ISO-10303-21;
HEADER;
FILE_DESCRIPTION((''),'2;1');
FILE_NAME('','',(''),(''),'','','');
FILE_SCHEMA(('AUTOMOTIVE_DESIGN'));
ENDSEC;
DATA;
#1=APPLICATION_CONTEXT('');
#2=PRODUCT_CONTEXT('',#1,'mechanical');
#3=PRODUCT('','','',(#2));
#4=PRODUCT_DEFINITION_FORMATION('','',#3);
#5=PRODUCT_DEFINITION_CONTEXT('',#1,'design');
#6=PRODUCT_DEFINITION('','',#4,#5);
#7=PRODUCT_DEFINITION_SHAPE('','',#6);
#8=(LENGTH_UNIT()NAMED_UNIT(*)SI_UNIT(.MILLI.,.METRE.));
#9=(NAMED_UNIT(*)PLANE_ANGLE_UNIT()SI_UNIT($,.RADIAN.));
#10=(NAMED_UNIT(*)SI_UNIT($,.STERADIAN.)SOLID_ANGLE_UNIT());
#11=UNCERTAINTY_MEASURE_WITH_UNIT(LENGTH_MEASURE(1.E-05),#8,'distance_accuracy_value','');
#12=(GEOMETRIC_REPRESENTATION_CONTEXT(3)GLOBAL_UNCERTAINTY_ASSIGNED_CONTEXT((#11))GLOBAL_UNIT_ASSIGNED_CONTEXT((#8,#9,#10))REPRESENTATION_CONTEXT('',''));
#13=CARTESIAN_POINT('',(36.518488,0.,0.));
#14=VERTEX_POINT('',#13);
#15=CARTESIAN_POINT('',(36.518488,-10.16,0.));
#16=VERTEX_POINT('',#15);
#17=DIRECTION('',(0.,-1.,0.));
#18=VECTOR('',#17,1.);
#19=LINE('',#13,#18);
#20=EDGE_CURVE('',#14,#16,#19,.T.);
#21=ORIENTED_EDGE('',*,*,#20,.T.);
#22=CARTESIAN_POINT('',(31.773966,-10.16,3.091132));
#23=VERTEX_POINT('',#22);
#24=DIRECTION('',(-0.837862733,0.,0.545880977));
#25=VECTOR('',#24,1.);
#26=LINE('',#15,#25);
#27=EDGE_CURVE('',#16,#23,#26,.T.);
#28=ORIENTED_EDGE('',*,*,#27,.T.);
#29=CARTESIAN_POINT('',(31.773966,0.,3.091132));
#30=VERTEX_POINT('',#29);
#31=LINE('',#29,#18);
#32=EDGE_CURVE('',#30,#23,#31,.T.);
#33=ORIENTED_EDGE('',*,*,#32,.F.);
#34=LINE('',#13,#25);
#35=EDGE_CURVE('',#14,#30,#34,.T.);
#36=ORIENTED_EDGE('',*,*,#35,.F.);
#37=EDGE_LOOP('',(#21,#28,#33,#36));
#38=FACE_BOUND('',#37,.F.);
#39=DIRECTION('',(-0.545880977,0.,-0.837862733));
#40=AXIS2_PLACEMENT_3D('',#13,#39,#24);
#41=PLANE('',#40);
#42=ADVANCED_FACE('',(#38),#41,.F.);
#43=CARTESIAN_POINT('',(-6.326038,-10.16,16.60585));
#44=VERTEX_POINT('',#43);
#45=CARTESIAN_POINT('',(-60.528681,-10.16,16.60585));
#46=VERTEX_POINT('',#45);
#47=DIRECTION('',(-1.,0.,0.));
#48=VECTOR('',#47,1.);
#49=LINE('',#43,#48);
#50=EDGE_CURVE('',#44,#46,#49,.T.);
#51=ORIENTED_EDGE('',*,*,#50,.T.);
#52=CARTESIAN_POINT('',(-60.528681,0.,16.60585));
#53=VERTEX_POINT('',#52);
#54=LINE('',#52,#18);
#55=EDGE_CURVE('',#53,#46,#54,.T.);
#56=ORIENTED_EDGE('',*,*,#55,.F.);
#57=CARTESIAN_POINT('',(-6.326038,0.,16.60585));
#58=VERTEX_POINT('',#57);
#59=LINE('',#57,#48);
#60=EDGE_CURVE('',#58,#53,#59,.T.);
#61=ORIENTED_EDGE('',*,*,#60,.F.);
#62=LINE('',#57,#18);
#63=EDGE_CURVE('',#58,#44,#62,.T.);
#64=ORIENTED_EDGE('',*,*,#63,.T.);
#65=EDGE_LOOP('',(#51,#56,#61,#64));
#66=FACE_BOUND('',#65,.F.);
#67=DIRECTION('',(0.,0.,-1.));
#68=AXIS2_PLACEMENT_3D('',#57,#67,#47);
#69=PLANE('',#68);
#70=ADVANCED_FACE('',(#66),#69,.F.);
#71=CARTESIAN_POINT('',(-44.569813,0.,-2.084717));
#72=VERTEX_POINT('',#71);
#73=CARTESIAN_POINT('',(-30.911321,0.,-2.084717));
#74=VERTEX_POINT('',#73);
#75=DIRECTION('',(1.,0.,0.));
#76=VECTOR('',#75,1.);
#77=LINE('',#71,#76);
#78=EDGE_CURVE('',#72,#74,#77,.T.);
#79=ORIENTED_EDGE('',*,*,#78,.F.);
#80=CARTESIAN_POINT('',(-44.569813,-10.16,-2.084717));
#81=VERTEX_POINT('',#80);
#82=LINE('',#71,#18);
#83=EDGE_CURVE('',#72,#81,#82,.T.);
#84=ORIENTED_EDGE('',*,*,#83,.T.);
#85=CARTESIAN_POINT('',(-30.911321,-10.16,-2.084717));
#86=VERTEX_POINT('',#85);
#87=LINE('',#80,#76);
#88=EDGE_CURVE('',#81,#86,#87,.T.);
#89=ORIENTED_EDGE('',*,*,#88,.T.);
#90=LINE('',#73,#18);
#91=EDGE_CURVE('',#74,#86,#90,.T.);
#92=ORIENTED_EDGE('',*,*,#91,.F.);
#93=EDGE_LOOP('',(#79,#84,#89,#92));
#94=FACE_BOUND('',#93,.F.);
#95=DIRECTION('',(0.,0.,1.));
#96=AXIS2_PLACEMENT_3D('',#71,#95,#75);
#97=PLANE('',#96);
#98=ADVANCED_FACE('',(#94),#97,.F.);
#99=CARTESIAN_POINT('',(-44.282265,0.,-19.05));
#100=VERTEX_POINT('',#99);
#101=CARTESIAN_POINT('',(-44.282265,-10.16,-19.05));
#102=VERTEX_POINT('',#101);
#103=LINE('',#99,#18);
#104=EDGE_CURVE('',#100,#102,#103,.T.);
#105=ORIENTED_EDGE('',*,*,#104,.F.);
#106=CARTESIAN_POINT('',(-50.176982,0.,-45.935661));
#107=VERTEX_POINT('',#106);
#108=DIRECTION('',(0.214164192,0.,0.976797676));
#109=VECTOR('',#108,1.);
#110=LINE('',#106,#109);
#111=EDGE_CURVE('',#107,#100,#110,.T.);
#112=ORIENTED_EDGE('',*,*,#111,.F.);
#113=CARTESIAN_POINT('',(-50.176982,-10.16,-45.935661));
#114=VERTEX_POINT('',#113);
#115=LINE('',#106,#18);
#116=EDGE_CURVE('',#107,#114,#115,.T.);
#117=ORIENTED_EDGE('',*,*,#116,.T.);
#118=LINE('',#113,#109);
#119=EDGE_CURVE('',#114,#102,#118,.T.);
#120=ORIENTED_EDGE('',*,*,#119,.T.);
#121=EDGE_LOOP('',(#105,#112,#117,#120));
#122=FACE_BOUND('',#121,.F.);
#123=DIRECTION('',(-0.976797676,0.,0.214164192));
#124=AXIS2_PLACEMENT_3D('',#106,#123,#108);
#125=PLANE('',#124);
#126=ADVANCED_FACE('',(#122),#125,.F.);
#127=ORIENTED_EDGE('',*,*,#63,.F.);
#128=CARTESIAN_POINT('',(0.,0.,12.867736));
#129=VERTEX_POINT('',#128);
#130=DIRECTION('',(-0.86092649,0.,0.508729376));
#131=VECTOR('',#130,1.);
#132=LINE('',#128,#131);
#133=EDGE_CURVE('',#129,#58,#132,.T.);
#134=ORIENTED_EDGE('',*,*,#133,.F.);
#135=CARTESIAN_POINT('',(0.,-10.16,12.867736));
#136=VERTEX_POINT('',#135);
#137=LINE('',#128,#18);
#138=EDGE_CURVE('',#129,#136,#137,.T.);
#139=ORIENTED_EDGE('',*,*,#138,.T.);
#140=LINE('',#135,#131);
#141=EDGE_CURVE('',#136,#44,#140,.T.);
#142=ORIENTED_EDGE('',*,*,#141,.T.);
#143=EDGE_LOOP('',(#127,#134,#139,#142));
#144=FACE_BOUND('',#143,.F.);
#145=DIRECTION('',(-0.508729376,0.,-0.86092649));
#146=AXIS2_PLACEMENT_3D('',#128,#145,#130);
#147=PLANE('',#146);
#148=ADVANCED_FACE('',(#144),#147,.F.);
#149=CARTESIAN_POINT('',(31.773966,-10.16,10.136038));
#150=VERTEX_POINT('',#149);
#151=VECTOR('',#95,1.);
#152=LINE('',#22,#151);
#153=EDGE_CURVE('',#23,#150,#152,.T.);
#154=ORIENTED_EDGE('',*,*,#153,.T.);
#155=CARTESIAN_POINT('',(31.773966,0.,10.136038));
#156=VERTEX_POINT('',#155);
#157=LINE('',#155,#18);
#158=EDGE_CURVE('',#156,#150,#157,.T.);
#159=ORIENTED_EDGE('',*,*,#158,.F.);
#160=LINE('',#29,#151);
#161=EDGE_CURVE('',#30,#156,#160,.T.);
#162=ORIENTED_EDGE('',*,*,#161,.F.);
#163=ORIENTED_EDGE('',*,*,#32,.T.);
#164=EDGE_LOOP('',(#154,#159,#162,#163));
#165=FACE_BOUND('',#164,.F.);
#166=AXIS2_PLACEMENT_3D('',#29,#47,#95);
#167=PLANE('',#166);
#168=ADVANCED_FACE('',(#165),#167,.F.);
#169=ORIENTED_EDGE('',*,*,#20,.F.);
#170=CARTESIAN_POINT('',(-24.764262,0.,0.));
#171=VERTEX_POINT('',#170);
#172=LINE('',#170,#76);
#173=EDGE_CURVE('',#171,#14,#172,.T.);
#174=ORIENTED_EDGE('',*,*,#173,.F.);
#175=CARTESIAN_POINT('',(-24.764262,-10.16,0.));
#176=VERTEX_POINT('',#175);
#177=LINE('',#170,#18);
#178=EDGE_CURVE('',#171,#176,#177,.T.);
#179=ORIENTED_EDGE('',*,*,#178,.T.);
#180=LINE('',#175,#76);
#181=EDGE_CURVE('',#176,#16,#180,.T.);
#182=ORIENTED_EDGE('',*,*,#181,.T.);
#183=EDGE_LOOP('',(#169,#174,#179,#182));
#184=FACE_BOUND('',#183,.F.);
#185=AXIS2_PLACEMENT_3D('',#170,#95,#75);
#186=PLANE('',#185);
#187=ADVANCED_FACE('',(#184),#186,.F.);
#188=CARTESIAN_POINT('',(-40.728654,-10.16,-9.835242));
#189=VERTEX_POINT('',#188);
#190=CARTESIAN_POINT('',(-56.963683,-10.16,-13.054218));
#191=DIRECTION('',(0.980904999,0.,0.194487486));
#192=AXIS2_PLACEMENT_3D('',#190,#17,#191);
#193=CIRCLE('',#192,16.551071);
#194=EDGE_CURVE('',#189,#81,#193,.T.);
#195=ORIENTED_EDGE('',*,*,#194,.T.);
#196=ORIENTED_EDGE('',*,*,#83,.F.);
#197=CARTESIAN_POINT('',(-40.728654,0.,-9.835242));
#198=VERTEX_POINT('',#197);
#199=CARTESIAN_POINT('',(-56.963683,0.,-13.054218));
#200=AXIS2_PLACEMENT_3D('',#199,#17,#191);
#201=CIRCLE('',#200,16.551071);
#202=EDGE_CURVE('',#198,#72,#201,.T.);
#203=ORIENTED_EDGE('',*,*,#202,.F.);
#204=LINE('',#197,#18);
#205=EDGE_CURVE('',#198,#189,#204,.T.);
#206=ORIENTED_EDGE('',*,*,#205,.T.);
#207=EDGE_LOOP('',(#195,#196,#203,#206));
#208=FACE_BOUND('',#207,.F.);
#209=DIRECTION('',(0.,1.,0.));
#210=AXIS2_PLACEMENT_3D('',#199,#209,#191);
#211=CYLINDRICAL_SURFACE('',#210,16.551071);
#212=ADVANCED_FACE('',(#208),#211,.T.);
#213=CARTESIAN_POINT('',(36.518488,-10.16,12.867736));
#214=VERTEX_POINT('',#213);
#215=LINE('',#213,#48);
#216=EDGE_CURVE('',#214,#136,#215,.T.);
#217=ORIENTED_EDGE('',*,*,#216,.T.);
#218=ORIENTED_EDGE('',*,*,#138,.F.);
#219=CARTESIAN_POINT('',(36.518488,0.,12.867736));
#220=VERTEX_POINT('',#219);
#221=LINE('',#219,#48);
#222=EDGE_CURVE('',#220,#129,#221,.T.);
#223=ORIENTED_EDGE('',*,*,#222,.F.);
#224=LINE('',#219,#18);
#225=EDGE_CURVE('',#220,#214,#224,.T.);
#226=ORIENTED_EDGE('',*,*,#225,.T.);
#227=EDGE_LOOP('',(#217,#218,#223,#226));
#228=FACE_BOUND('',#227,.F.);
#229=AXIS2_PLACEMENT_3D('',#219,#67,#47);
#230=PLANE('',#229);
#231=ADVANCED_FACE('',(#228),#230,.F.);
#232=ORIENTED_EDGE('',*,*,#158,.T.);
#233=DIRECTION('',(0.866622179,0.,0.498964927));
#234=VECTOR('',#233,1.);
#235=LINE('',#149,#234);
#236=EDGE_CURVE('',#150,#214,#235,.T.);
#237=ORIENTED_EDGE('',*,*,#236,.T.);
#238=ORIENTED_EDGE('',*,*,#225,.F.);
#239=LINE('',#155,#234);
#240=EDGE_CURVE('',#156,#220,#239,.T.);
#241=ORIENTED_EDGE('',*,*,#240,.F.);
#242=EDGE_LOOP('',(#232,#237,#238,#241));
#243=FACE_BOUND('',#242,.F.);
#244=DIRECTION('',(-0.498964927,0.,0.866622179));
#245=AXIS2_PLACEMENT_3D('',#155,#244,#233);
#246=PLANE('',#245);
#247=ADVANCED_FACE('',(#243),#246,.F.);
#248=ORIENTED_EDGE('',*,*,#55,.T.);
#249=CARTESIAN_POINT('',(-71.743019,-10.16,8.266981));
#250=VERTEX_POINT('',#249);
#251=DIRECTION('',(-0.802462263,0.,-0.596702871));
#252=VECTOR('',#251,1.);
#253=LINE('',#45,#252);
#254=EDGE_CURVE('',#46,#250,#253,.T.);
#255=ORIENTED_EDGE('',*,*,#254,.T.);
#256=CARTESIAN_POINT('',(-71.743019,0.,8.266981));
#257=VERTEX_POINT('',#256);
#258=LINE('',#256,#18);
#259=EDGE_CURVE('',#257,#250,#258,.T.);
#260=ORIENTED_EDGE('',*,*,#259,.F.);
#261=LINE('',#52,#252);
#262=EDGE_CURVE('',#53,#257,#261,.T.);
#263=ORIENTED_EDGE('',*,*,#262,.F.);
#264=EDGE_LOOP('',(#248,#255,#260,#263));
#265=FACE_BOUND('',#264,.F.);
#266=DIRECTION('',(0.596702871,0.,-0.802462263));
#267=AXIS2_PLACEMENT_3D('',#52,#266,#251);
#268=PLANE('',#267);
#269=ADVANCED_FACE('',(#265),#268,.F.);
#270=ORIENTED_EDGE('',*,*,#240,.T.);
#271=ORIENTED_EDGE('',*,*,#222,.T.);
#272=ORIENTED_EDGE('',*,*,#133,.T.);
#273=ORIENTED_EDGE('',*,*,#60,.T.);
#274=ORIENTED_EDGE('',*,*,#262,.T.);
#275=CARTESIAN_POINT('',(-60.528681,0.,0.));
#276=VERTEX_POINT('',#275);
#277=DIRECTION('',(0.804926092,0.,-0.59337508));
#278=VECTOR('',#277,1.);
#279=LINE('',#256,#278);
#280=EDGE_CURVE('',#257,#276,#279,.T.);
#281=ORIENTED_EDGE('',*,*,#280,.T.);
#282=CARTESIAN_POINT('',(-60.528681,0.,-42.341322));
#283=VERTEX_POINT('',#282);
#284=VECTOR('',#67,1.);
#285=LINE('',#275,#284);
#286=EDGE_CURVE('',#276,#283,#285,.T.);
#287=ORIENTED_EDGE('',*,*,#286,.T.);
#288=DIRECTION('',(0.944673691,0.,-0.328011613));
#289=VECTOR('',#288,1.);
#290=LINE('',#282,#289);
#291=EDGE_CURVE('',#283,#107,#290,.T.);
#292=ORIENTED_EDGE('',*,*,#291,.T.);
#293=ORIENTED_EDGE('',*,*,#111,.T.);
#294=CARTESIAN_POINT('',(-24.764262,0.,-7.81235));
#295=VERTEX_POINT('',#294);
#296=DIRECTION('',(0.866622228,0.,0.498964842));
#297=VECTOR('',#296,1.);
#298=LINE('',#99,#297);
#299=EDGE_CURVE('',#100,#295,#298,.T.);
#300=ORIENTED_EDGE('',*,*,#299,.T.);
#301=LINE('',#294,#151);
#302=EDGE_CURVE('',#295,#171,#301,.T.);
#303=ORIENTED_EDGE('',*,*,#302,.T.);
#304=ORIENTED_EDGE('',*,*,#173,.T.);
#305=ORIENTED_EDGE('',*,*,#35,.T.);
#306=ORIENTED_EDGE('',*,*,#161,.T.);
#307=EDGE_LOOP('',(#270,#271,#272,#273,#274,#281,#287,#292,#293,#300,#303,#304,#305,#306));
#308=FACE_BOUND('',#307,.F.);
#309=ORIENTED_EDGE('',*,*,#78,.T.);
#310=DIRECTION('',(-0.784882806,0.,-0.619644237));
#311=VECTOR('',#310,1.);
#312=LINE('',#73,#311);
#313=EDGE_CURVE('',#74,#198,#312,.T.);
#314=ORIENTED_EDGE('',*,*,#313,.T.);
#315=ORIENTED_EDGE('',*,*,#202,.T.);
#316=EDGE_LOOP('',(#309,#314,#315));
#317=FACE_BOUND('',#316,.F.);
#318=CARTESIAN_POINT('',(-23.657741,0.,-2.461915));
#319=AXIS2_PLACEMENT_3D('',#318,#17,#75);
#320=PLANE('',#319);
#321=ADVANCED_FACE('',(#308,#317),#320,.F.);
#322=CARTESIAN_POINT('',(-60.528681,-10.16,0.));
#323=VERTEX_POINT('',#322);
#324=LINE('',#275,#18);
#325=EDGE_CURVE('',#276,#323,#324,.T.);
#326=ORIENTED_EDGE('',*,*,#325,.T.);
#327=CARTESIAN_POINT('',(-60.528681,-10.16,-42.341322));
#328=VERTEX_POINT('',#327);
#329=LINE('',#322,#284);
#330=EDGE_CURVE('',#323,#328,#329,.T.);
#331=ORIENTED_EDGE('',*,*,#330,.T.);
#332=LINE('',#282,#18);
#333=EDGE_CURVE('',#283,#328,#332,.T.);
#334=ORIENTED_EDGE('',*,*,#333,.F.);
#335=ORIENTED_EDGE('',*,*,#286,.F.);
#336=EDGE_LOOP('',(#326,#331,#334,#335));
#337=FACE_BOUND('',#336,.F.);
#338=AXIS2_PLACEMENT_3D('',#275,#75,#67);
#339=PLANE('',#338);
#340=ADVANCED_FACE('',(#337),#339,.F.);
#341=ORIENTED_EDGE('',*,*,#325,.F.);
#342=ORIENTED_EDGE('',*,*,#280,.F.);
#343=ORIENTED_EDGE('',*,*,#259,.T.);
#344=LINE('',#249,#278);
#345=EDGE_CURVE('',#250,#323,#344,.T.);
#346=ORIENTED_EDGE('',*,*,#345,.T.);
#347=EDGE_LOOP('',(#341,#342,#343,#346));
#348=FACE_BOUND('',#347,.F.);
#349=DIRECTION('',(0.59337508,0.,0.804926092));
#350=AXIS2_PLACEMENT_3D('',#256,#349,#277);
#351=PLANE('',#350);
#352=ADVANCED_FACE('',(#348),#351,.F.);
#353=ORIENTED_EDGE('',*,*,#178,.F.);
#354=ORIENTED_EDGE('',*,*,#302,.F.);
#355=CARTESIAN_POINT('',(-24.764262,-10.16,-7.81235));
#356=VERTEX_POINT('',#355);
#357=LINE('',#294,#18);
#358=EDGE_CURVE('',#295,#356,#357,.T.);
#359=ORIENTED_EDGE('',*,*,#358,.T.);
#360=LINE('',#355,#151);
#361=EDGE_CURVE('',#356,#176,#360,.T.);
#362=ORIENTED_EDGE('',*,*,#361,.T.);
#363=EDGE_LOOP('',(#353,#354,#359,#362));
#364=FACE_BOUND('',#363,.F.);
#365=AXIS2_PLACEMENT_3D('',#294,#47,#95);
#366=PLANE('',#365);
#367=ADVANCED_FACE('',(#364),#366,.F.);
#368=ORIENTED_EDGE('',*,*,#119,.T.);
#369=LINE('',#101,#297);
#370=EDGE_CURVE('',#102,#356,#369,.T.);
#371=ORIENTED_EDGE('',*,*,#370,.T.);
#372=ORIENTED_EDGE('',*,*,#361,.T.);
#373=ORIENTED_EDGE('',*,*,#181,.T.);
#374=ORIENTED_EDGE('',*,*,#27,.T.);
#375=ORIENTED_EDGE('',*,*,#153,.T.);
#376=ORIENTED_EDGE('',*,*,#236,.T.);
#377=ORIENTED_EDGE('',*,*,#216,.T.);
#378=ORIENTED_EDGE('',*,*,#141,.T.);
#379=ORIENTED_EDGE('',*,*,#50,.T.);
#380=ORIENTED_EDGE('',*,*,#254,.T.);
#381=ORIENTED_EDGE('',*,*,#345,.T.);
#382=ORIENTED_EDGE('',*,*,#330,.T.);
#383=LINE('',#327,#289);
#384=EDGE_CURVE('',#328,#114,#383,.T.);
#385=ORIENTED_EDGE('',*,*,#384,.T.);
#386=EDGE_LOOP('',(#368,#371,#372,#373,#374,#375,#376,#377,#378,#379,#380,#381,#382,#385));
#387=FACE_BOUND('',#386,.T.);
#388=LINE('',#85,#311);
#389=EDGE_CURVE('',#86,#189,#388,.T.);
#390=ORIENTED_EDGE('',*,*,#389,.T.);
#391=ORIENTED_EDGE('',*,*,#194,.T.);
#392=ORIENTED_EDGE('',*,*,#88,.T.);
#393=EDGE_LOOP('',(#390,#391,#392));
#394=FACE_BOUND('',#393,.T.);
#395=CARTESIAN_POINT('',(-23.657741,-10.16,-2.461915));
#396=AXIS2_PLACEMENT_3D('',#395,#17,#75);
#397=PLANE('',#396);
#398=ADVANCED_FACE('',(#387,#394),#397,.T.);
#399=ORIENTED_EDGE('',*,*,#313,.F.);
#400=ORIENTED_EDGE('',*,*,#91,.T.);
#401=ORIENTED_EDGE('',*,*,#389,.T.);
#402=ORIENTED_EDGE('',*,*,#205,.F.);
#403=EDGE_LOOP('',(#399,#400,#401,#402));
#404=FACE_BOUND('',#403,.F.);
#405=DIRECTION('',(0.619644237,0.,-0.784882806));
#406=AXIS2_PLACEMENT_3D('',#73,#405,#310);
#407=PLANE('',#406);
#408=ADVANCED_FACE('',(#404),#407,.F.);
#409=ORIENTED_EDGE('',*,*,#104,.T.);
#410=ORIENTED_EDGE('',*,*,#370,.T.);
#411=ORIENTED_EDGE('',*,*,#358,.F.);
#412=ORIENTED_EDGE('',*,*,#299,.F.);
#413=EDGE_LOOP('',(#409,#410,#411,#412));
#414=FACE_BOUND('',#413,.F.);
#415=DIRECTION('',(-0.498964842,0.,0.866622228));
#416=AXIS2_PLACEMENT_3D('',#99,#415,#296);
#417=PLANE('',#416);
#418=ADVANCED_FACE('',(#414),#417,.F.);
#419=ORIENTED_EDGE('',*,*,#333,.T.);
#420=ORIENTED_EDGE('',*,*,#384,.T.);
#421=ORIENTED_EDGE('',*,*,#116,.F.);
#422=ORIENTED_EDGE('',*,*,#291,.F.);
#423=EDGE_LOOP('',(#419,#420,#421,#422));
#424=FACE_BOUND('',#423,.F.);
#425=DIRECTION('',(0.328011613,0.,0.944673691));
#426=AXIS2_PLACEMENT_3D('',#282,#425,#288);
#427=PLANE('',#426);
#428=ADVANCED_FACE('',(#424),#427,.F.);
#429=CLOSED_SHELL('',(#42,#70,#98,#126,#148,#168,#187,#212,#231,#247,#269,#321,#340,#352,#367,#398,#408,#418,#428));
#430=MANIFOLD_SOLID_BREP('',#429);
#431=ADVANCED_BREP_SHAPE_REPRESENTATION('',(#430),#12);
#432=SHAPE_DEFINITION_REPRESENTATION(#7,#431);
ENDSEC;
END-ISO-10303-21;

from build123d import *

# Parameters (mm, degrees)
F1_DEPTH = 10.16


with BuildPart() as f1:
    # F0 (on Front) → F1 (new body)
    with BuildSketch(Plane.XZ):
        Polygon((-24.764262, 0), (0, 0), (36.518488, 0), (31.773966, 3.091132), (31.773966, 10.136038), (36.518488, 12.867736), (0, 12.867736), (-6.326038, 16.60585), (-60.528681, 16.60585), (-71.743019, 8.266981), (-60.528681, 0), (-60.528681, -42.341322), (-50.176982, -45.935661), (-44.282265, -19.05), (-24.764262, -7.81235), align=None)
        Polygon((-40.728654, -9.835242), (-44.569813, -12.867736), (-44.569813, -2.084717), (-30.911321, -2.084717), align=None, mode=Mode.SUBTRACT)
        with BuildLine():
            Line((-44.569813, -2.084717), (-44.569813, -12.867736))
            Line((-44.569813, -12.867736), (-40.728654, -9.835242))
            ThreePointArc((-40.728654, -9.835242), (-42.133945, -5.704603), (-44.569813, -2.084717))
        make_face()
    extrude(amount=F1_DEPTH)


solid = f1.part
